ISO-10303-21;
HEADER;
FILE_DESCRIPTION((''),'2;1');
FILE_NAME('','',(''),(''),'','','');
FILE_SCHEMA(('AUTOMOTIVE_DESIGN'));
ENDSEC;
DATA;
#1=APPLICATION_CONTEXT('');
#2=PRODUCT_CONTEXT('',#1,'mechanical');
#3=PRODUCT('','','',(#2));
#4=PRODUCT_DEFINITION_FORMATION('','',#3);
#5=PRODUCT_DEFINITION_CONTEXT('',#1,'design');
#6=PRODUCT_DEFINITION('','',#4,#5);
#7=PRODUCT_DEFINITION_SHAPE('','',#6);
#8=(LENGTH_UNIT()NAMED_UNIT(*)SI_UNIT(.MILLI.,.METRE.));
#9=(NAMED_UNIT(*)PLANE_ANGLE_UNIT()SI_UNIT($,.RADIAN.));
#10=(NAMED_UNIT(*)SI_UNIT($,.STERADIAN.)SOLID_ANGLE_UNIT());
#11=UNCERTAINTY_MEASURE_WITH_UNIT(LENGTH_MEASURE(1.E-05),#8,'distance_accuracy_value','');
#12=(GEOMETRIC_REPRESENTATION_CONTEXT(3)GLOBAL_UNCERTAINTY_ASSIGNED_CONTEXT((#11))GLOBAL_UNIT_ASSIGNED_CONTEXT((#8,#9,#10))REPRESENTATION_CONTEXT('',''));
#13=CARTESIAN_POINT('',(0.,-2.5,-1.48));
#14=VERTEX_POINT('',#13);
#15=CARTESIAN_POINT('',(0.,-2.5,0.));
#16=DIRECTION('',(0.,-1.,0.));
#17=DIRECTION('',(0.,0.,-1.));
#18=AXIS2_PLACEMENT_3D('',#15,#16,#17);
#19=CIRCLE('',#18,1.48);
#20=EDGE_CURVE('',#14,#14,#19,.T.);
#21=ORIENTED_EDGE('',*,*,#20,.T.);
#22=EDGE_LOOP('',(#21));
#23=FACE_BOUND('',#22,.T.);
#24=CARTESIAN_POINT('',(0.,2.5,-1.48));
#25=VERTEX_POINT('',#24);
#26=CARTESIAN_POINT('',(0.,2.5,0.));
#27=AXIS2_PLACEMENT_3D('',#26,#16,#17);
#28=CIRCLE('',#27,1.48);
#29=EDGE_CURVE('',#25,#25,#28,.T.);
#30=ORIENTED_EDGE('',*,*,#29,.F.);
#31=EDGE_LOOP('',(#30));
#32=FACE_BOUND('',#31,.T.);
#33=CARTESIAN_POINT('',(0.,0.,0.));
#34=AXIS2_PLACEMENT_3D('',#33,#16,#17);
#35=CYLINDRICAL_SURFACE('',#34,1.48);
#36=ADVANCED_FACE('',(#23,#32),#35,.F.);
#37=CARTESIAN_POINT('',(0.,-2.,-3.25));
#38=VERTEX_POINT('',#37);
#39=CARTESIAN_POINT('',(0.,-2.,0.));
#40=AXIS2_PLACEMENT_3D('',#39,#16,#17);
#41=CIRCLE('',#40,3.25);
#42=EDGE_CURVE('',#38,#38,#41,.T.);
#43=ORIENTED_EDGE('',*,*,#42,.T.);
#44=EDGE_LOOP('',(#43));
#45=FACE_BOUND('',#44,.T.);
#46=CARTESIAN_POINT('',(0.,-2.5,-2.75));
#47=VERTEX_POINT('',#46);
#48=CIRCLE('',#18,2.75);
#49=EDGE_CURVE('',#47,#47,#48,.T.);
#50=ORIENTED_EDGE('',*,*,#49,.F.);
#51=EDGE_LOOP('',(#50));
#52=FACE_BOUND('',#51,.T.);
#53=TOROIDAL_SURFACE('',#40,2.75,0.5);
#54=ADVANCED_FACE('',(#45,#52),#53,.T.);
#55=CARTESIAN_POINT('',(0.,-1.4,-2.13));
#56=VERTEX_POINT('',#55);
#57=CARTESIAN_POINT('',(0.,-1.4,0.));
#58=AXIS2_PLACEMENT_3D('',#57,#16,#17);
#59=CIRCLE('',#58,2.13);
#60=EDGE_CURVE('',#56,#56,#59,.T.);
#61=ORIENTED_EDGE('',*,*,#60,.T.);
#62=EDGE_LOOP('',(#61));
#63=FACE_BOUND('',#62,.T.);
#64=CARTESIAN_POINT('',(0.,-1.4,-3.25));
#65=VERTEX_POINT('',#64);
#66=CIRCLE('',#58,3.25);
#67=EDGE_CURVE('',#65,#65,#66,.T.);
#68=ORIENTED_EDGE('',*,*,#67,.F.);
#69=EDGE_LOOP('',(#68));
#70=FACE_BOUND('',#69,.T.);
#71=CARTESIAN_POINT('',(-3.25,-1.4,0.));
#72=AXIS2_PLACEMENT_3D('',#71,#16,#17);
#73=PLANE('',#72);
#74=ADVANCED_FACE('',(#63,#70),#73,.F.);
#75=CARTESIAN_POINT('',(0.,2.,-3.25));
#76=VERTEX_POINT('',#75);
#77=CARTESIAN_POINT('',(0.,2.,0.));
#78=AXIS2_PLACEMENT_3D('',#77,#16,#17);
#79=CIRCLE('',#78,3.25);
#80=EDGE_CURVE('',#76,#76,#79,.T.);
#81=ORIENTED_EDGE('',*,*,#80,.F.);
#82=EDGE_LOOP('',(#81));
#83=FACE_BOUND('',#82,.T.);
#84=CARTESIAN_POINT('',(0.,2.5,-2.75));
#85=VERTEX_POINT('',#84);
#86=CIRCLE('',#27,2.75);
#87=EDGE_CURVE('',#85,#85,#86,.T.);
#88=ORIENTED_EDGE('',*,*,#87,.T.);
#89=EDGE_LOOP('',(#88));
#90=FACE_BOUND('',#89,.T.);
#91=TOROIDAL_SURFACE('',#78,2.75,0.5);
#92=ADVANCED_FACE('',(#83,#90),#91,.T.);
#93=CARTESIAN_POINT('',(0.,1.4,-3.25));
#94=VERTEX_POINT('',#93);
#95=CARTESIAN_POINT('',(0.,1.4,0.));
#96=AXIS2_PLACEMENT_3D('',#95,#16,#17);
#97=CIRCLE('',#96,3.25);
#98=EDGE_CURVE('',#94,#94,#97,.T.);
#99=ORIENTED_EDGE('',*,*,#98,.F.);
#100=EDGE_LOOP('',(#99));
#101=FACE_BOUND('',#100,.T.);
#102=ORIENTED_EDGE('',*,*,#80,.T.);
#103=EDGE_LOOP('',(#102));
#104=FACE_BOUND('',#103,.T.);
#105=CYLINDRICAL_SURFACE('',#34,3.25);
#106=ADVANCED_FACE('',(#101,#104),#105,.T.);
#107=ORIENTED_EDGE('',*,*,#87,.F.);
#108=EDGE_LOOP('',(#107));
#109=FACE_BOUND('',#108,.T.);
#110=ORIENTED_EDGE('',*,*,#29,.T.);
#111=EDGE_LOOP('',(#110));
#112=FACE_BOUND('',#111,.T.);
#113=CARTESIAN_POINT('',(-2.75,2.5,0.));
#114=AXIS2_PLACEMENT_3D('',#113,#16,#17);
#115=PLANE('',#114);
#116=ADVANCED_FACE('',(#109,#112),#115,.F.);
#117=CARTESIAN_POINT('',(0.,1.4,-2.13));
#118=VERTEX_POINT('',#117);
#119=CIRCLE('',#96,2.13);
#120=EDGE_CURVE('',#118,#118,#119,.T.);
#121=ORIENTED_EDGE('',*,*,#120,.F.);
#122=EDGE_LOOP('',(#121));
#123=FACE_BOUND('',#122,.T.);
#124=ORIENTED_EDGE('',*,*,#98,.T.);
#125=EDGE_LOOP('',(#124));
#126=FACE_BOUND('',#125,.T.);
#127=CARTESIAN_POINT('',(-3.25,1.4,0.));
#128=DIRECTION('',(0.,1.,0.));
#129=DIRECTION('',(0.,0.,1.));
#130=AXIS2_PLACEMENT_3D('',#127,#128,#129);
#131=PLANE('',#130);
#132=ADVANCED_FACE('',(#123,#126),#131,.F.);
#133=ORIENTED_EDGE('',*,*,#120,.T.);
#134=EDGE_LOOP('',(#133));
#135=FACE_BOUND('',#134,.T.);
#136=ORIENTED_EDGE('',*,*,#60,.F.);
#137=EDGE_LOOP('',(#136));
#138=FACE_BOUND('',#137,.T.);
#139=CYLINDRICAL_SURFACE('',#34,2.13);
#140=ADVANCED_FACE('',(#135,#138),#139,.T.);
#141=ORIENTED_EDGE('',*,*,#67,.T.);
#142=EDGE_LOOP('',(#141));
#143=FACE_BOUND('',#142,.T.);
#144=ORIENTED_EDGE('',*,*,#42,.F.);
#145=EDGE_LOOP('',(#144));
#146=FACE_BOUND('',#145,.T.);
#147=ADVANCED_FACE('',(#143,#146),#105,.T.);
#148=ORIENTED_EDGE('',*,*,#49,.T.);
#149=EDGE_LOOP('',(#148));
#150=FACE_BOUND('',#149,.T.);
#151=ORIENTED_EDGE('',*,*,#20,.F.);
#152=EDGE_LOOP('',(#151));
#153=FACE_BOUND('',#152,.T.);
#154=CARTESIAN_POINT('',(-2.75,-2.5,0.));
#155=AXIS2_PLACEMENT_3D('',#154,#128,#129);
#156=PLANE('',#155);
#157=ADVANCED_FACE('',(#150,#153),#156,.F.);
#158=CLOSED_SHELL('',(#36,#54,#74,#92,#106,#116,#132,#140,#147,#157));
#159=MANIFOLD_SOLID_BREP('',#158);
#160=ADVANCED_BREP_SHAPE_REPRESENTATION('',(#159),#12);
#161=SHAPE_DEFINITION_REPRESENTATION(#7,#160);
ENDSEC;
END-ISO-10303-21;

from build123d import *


with BuildPart() as part:
    # Esquisse1 → Révolution1 (revolve)
    with BuildSketch(Plane.XY):
        with BuildLine():
            Line((-3.25, -1.4), (-3.25, -2))
            ThreePointArc((-3.25, -2), (-3.103553391, -2.353553391), (-2.75, -2.5))
            Line((-2.75, -2.5), (-1.48, -2.5))
            Line((-1.48, -2.5), (-1.48, 2.5))
            Line((-1.48, 2.5), (-2.75, 2.5))
            ThreePointArc((-2.75, 2.5), (-3.103553391, 2.353553391), (-3.25, 2))
            Line((-3.25, 2), (-3.25, 1.4))
            Line((-3.25, 1.4), (-2.13, 1.4))
            Line((-2.13, 1.4), (-2.13, -1.4))
            Line((-2.13, -1.4), (-3.25, -1.4))
        make_face()
    revolve(axis=Axis((0, 0, 0), (0, 1, 0)))


solid = part.part
